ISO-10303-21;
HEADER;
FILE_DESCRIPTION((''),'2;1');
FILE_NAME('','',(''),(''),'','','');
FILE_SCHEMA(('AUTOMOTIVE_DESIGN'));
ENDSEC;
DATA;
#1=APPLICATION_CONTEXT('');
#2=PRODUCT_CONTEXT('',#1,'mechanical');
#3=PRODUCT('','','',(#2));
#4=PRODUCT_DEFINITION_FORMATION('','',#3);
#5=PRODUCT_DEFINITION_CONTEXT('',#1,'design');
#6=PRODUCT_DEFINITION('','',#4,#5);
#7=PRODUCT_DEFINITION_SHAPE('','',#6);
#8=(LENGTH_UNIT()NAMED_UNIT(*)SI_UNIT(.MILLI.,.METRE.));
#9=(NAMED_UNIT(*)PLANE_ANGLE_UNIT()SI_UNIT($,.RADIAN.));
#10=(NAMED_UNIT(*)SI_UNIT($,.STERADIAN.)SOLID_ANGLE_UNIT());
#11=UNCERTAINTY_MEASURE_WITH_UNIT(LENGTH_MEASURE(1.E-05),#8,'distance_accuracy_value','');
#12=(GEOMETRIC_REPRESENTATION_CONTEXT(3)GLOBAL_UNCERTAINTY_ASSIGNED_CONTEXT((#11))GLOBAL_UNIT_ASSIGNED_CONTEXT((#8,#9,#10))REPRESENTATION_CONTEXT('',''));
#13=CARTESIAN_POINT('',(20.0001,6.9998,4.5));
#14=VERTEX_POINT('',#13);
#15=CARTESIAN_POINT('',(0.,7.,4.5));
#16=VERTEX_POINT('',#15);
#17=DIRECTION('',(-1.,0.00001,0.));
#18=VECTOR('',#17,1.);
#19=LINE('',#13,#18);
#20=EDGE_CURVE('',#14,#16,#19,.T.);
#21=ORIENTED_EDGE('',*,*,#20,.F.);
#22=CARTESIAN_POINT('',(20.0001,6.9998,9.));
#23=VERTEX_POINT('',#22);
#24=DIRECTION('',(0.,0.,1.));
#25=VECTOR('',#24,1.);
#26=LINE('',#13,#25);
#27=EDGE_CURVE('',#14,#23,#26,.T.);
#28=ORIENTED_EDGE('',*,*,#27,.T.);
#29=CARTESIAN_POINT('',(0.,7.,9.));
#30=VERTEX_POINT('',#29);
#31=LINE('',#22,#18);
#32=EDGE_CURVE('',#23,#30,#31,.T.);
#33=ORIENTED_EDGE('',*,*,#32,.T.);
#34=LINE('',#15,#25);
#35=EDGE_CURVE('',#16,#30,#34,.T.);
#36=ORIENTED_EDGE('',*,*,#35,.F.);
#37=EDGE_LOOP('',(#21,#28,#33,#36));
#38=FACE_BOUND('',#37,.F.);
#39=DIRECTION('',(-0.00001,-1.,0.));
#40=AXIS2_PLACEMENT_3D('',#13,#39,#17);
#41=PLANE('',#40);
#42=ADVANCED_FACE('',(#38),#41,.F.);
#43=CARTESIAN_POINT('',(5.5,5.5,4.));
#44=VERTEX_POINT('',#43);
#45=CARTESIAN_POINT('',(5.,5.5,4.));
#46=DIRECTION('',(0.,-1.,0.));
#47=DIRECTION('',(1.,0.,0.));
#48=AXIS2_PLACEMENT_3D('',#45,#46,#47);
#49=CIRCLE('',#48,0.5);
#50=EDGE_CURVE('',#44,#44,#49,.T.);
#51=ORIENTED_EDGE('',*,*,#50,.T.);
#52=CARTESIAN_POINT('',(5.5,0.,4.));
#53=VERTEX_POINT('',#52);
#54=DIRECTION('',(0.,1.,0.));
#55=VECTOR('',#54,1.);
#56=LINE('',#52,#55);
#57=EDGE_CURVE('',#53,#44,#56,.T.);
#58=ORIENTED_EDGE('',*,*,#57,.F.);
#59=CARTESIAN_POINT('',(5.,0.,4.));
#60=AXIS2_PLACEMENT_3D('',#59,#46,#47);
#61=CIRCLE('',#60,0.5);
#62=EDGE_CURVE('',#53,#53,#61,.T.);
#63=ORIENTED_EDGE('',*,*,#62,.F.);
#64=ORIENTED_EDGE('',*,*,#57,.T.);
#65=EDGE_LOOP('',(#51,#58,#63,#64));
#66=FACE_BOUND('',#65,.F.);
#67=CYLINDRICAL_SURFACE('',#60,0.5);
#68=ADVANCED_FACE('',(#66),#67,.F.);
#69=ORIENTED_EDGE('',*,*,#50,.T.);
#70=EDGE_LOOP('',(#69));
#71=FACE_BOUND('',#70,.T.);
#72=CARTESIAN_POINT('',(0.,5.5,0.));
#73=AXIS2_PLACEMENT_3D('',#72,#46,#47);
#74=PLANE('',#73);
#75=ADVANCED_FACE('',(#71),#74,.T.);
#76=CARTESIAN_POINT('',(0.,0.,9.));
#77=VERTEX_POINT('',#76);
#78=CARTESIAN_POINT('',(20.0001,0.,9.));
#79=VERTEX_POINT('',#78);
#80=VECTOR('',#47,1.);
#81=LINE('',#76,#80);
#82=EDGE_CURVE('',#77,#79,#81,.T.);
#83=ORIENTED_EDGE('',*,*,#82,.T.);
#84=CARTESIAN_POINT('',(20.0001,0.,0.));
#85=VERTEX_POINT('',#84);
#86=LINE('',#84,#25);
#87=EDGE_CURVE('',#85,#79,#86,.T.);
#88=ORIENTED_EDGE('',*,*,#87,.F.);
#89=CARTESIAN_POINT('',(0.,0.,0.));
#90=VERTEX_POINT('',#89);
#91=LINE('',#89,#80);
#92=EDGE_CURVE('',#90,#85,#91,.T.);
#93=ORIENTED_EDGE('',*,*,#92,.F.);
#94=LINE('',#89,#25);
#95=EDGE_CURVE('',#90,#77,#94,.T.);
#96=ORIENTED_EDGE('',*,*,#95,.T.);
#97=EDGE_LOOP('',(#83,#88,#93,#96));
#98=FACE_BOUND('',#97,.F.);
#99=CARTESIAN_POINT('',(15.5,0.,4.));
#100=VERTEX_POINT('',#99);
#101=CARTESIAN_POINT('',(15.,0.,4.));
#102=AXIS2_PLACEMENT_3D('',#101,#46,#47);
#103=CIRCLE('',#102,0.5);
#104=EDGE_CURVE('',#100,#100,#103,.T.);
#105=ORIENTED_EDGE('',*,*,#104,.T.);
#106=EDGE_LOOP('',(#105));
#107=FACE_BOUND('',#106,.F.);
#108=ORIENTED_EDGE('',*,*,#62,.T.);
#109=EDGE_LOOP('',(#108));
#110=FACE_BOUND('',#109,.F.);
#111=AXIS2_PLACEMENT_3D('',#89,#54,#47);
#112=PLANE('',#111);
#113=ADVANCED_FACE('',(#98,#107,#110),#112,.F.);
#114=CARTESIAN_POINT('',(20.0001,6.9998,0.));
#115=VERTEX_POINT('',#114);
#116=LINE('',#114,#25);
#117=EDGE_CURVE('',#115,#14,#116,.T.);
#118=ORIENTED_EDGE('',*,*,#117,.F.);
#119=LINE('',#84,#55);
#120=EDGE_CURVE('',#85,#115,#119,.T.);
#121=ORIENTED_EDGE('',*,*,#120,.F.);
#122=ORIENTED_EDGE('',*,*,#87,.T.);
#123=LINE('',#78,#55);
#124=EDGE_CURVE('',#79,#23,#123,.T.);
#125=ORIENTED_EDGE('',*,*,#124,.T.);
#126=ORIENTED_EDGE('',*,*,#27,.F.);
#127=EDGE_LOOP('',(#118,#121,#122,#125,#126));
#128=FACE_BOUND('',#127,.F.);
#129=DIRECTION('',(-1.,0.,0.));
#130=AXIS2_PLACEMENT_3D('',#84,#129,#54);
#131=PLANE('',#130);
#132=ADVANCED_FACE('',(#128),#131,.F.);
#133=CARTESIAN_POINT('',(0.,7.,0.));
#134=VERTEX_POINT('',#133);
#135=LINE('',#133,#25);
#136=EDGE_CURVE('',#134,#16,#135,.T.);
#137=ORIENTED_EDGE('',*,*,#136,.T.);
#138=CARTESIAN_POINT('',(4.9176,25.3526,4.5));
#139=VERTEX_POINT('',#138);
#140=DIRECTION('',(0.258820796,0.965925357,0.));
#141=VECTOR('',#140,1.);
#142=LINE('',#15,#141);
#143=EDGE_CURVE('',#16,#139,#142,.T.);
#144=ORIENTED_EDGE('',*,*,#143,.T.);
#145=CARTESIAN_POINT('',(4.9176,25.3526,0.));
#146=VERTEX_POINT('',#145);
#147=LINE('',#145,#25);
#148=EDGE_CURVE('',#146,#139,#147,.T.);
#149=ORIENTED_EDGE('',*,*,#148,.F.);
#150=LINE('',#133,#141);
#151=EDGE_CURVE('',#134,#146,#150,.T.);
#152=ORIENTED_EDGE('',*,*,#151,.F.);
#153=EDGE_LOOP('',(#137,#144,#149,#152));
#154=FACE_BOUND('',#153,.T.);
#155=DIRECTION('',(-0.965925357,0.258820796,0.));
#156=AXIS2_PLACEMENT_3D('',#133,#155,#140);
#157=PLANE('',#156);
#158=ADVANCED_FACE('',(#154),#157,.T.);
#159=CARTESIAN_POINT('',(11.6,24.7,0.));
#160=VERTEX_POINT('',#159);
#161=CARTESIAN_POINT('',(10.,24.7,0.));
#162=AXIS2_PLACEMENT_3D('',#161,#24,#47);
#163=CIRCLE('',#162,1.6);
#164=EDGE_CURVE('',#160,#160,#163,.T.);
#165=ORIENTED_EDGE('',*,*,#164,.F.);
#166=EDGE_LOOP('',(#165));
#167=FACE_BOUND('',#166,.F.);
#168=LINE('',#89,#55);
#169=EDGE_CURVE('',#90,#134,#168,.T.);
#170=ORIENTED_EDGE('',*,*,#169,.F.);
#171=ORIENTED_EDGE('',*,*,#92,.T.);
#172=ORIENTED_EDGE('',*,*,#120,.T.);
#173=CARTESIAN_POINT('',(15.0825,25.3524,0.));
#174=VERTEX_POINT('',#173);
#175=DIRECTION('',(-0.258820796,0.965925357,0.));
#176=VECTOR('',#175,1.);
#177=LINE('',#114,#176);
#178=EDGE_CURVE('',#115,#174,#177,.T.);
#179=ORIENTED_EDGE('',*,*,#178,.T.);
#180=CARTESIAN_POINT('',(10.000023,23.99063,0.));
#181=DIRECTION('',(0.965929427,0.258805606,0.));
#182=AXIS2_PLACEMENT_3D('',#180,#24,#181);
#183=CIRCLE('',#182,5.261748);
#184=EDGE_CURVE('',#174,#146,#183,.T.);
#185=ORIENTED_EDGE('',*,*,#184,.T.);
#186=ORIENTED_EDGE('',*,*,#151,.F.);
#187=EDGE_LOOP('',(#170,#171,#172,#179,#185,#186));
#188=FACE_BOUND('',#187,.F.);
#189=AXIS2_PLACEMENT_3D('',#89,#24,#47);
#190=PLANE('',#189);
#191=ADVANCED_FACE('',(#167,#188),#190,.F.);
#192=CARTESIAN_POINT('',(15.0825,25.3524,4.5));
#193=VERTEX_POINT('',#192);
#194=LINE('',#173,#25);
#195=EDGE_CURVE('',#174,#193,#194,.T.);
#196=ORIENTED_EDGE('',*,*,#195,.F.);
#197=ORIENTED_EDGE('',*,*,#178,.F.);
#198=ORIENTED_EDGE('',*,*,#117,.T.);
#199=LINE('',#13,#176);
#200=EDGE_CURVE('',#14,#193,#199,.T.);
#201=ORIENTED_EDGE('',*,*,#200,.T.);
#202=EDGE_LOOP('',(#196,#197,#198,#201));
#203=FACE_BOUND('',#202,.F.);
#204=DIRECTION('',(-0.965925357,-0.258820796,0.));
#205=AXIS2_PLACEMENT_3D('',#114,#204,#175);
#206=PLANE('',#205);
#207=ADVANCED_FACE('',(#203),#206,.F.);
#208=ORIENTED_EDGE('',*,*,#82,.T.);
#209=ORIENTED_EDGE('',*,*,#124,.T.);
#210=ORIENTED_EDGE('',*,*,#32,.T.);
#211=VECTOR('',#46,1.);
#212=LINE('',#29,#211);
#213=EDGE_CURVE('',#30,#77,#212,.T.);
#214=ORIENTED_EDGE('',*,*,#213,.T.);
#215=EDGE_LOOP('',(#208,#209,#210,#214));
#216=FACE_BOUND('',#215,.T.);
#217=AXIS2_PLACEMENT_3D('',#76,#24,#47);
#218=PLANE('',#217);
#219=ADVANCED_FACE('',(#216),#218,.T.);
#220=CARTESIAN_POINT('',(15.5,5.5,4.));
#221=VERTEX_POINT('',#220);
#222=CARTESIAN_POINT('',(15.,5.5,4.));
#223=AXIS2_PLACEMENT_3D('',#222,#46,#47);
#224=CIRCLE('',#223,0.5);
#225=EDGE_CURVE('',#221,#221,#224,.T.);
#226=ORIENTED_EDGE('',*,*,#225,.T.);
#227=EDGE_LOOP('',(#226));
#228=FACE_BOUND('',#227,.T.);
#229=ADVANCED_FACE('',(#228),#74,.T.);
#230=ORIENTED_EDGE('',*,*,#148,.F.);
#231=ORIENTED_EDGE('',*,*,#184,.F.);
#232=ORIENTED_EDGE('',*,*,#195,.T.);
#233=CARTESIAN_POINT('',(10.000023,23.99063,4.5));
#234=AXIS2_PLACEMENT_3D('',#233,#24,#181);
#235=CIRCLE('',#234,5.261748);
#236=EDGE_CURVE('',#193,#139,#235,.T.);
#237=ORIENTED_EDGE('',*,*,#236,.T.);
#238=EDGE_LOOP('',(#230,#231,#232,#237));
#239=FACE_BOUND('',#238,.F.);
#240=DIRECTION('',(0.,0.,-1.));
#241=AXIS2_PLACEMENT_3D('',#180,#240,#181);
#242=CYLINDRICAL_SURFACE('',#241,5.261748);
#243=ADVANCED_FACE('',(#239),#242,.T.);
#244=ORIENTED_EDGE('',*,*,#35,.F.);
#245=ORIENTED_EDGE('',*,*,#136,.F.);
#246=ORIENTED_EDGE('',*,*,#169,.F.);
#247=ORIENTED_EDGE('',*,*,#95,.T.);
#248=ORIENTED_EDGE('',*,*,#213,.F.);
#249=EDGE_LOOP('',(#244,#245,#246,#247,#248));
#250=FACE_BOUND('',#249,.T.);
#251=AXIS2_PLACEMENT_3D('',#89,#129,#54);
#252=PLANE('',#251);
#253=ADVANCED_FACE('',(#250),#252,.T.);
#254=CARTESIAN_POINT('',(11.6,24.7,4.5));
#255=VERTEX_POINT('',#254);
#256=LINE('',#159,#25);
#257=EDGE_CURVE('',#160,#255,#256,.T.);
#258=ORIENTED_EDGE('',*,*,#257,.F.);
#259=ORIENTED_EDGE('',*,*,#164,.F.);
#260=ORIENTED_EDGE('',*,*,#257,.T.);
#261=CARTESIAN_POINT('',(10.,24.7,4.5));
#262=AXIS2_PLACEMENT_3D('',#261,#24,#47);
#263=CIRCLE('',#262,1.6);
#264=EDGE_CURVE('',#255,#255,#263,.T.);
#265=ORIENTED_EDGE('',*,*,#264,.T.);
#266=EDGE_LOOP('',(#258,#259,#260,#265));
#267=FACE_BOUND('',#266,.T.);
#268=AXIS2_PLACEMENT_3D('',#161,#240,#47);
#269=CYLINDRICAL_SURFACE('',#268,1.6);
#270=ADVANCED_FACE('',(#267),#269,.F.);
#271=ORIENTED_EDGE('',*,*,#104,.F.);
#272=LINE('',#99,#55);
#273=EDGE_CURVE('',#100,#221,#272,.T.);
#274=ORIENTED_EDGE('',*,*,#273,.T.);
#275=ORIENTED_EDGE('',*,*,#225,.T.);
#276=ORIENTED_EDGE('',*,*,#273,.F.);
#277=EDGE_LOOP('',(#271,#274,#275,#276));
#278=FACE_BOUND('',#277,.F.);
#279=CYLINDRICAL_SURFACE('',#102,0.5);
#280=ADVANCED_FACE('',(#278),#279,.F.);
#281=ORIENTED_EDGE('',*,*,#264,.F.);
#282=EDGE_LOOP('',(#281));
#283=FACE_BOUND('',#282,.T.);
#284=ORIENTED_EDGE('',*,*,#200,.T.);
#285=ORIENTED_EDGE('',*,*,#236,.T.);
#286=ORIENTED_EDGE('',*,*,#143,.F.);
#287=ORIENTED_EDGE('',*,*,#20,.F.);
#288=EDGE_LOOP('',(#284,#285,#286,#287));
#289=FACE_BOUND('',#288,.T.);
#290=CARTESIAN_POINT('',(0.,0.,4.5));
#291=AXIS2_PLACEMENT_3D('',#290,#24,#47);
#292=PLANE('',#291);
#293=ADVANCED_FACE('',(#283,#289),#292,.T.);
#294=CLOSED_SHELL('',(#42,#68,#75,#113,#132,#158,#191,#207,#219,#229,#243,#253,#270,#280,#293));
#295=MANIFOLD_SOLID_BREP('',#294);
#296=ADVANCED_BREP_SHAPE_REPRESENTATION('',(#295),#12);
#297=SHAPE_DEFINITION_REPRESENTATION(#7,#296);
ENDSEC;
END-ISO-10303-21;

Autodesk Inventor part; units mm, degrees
ref_plane "YZ Plane" through (0, 0, 0) normal (1, 0, 0) x (0, 1, 0)
ref_plane "XZ Plane" through (0, 0, 0) normal (0, 1, 0) x (-1, 0, 0)
ref_plane "XY Plane" through (0, 0, 0) normal (0, 0, 1) x (1, 0, 0)
sketch "Sketch1" plane through (0, 0, 0) normal (0, 0, 1) x (1, 0, 0)
  circle A0 centre (10, 24.7) radius 1.6
  line L0 (0, 0) -> (20.0001, 0)
  line L1 (0, 0) -> (0, 7)
  line L2 (20.0001, 0) -> (20.0001, 6.9998)
  line L3 (0, 7) -> (4.9176, 25.3526)
  line L4 (0, 7) -> (19, 7) construction
  line L5 (20.0001, 6.9998) -> (15.0825, 25.3524)
  line L6 (20.0001, 6.9998) -> (39.0001, 6.9998) construction
  arc A1 (15.0825, 25.3524) -> (4.9176, 25.3526) centre (10, 23.9906) ccw
  dimension "d17" = 7
  dimension "d18" = 6.9998
  dimension "d19" = 24.7
  dimension "d23" = 90
  dimension "d24" = 90
  dimension "d25" = 10
  dimension "d26" = 19
  dimension "d27" = 75
  dimension "d28" = 19
  dimension "d29" = 105
  dimension "d30" = 10
sketch "Sketch3" plane through (0, 0, 0) normal (0, 0, 1) x (1, 0, 0)
  point P0 (0, 0)
extrude "Extrusion1" add sketch "Sketch1" along normal blind 4.5
sketch "Sketch4" plane through (0, 0, 4.5) normal (0, 0, 1) x (1, 0, 0)
  line L0 (0, 7) -> (0, 0) projected
  line L1 (20.0001, 0) -> (20.0001, 6.9998) projected
  line L2 (0, 0) -> (20.0001, 0)
  line L3 (20.0001, 0) -> (20.0001, 6.9998)
  line L4 (3.884, 22.9404) -> (-0.0481, 7.0119) projected
  line L5 (20.0001, 6.9998) -> (0, 6.9998)
  line L6 (0, 7) -> (0, 0)
extrude "Extrusion2" add sketch "Sketch4" along normal blind 4.5
sketch "Sketch5" plane through (0, 0, 0) normal (0, -1, 0) x (1, 0, 0)
  circle A0 centre (5, 4) radius 0.5
  circle A1 centre (15, 4) radius 0.5
  line L0 (0, 0) -> (20.0001, 0) projected
  line L1 (0, 9) -> (20.0001, 9) projected
  dimension "d13" = 1
  dimension "d14" = 1
  dimension "d33" = 5
  dimension "d34" = 5
extrude "Extrusion3" cut sketch "Sketch5" against normal blind 5.5
properties part number "upper_deck_shaft_mount_for_AD"
